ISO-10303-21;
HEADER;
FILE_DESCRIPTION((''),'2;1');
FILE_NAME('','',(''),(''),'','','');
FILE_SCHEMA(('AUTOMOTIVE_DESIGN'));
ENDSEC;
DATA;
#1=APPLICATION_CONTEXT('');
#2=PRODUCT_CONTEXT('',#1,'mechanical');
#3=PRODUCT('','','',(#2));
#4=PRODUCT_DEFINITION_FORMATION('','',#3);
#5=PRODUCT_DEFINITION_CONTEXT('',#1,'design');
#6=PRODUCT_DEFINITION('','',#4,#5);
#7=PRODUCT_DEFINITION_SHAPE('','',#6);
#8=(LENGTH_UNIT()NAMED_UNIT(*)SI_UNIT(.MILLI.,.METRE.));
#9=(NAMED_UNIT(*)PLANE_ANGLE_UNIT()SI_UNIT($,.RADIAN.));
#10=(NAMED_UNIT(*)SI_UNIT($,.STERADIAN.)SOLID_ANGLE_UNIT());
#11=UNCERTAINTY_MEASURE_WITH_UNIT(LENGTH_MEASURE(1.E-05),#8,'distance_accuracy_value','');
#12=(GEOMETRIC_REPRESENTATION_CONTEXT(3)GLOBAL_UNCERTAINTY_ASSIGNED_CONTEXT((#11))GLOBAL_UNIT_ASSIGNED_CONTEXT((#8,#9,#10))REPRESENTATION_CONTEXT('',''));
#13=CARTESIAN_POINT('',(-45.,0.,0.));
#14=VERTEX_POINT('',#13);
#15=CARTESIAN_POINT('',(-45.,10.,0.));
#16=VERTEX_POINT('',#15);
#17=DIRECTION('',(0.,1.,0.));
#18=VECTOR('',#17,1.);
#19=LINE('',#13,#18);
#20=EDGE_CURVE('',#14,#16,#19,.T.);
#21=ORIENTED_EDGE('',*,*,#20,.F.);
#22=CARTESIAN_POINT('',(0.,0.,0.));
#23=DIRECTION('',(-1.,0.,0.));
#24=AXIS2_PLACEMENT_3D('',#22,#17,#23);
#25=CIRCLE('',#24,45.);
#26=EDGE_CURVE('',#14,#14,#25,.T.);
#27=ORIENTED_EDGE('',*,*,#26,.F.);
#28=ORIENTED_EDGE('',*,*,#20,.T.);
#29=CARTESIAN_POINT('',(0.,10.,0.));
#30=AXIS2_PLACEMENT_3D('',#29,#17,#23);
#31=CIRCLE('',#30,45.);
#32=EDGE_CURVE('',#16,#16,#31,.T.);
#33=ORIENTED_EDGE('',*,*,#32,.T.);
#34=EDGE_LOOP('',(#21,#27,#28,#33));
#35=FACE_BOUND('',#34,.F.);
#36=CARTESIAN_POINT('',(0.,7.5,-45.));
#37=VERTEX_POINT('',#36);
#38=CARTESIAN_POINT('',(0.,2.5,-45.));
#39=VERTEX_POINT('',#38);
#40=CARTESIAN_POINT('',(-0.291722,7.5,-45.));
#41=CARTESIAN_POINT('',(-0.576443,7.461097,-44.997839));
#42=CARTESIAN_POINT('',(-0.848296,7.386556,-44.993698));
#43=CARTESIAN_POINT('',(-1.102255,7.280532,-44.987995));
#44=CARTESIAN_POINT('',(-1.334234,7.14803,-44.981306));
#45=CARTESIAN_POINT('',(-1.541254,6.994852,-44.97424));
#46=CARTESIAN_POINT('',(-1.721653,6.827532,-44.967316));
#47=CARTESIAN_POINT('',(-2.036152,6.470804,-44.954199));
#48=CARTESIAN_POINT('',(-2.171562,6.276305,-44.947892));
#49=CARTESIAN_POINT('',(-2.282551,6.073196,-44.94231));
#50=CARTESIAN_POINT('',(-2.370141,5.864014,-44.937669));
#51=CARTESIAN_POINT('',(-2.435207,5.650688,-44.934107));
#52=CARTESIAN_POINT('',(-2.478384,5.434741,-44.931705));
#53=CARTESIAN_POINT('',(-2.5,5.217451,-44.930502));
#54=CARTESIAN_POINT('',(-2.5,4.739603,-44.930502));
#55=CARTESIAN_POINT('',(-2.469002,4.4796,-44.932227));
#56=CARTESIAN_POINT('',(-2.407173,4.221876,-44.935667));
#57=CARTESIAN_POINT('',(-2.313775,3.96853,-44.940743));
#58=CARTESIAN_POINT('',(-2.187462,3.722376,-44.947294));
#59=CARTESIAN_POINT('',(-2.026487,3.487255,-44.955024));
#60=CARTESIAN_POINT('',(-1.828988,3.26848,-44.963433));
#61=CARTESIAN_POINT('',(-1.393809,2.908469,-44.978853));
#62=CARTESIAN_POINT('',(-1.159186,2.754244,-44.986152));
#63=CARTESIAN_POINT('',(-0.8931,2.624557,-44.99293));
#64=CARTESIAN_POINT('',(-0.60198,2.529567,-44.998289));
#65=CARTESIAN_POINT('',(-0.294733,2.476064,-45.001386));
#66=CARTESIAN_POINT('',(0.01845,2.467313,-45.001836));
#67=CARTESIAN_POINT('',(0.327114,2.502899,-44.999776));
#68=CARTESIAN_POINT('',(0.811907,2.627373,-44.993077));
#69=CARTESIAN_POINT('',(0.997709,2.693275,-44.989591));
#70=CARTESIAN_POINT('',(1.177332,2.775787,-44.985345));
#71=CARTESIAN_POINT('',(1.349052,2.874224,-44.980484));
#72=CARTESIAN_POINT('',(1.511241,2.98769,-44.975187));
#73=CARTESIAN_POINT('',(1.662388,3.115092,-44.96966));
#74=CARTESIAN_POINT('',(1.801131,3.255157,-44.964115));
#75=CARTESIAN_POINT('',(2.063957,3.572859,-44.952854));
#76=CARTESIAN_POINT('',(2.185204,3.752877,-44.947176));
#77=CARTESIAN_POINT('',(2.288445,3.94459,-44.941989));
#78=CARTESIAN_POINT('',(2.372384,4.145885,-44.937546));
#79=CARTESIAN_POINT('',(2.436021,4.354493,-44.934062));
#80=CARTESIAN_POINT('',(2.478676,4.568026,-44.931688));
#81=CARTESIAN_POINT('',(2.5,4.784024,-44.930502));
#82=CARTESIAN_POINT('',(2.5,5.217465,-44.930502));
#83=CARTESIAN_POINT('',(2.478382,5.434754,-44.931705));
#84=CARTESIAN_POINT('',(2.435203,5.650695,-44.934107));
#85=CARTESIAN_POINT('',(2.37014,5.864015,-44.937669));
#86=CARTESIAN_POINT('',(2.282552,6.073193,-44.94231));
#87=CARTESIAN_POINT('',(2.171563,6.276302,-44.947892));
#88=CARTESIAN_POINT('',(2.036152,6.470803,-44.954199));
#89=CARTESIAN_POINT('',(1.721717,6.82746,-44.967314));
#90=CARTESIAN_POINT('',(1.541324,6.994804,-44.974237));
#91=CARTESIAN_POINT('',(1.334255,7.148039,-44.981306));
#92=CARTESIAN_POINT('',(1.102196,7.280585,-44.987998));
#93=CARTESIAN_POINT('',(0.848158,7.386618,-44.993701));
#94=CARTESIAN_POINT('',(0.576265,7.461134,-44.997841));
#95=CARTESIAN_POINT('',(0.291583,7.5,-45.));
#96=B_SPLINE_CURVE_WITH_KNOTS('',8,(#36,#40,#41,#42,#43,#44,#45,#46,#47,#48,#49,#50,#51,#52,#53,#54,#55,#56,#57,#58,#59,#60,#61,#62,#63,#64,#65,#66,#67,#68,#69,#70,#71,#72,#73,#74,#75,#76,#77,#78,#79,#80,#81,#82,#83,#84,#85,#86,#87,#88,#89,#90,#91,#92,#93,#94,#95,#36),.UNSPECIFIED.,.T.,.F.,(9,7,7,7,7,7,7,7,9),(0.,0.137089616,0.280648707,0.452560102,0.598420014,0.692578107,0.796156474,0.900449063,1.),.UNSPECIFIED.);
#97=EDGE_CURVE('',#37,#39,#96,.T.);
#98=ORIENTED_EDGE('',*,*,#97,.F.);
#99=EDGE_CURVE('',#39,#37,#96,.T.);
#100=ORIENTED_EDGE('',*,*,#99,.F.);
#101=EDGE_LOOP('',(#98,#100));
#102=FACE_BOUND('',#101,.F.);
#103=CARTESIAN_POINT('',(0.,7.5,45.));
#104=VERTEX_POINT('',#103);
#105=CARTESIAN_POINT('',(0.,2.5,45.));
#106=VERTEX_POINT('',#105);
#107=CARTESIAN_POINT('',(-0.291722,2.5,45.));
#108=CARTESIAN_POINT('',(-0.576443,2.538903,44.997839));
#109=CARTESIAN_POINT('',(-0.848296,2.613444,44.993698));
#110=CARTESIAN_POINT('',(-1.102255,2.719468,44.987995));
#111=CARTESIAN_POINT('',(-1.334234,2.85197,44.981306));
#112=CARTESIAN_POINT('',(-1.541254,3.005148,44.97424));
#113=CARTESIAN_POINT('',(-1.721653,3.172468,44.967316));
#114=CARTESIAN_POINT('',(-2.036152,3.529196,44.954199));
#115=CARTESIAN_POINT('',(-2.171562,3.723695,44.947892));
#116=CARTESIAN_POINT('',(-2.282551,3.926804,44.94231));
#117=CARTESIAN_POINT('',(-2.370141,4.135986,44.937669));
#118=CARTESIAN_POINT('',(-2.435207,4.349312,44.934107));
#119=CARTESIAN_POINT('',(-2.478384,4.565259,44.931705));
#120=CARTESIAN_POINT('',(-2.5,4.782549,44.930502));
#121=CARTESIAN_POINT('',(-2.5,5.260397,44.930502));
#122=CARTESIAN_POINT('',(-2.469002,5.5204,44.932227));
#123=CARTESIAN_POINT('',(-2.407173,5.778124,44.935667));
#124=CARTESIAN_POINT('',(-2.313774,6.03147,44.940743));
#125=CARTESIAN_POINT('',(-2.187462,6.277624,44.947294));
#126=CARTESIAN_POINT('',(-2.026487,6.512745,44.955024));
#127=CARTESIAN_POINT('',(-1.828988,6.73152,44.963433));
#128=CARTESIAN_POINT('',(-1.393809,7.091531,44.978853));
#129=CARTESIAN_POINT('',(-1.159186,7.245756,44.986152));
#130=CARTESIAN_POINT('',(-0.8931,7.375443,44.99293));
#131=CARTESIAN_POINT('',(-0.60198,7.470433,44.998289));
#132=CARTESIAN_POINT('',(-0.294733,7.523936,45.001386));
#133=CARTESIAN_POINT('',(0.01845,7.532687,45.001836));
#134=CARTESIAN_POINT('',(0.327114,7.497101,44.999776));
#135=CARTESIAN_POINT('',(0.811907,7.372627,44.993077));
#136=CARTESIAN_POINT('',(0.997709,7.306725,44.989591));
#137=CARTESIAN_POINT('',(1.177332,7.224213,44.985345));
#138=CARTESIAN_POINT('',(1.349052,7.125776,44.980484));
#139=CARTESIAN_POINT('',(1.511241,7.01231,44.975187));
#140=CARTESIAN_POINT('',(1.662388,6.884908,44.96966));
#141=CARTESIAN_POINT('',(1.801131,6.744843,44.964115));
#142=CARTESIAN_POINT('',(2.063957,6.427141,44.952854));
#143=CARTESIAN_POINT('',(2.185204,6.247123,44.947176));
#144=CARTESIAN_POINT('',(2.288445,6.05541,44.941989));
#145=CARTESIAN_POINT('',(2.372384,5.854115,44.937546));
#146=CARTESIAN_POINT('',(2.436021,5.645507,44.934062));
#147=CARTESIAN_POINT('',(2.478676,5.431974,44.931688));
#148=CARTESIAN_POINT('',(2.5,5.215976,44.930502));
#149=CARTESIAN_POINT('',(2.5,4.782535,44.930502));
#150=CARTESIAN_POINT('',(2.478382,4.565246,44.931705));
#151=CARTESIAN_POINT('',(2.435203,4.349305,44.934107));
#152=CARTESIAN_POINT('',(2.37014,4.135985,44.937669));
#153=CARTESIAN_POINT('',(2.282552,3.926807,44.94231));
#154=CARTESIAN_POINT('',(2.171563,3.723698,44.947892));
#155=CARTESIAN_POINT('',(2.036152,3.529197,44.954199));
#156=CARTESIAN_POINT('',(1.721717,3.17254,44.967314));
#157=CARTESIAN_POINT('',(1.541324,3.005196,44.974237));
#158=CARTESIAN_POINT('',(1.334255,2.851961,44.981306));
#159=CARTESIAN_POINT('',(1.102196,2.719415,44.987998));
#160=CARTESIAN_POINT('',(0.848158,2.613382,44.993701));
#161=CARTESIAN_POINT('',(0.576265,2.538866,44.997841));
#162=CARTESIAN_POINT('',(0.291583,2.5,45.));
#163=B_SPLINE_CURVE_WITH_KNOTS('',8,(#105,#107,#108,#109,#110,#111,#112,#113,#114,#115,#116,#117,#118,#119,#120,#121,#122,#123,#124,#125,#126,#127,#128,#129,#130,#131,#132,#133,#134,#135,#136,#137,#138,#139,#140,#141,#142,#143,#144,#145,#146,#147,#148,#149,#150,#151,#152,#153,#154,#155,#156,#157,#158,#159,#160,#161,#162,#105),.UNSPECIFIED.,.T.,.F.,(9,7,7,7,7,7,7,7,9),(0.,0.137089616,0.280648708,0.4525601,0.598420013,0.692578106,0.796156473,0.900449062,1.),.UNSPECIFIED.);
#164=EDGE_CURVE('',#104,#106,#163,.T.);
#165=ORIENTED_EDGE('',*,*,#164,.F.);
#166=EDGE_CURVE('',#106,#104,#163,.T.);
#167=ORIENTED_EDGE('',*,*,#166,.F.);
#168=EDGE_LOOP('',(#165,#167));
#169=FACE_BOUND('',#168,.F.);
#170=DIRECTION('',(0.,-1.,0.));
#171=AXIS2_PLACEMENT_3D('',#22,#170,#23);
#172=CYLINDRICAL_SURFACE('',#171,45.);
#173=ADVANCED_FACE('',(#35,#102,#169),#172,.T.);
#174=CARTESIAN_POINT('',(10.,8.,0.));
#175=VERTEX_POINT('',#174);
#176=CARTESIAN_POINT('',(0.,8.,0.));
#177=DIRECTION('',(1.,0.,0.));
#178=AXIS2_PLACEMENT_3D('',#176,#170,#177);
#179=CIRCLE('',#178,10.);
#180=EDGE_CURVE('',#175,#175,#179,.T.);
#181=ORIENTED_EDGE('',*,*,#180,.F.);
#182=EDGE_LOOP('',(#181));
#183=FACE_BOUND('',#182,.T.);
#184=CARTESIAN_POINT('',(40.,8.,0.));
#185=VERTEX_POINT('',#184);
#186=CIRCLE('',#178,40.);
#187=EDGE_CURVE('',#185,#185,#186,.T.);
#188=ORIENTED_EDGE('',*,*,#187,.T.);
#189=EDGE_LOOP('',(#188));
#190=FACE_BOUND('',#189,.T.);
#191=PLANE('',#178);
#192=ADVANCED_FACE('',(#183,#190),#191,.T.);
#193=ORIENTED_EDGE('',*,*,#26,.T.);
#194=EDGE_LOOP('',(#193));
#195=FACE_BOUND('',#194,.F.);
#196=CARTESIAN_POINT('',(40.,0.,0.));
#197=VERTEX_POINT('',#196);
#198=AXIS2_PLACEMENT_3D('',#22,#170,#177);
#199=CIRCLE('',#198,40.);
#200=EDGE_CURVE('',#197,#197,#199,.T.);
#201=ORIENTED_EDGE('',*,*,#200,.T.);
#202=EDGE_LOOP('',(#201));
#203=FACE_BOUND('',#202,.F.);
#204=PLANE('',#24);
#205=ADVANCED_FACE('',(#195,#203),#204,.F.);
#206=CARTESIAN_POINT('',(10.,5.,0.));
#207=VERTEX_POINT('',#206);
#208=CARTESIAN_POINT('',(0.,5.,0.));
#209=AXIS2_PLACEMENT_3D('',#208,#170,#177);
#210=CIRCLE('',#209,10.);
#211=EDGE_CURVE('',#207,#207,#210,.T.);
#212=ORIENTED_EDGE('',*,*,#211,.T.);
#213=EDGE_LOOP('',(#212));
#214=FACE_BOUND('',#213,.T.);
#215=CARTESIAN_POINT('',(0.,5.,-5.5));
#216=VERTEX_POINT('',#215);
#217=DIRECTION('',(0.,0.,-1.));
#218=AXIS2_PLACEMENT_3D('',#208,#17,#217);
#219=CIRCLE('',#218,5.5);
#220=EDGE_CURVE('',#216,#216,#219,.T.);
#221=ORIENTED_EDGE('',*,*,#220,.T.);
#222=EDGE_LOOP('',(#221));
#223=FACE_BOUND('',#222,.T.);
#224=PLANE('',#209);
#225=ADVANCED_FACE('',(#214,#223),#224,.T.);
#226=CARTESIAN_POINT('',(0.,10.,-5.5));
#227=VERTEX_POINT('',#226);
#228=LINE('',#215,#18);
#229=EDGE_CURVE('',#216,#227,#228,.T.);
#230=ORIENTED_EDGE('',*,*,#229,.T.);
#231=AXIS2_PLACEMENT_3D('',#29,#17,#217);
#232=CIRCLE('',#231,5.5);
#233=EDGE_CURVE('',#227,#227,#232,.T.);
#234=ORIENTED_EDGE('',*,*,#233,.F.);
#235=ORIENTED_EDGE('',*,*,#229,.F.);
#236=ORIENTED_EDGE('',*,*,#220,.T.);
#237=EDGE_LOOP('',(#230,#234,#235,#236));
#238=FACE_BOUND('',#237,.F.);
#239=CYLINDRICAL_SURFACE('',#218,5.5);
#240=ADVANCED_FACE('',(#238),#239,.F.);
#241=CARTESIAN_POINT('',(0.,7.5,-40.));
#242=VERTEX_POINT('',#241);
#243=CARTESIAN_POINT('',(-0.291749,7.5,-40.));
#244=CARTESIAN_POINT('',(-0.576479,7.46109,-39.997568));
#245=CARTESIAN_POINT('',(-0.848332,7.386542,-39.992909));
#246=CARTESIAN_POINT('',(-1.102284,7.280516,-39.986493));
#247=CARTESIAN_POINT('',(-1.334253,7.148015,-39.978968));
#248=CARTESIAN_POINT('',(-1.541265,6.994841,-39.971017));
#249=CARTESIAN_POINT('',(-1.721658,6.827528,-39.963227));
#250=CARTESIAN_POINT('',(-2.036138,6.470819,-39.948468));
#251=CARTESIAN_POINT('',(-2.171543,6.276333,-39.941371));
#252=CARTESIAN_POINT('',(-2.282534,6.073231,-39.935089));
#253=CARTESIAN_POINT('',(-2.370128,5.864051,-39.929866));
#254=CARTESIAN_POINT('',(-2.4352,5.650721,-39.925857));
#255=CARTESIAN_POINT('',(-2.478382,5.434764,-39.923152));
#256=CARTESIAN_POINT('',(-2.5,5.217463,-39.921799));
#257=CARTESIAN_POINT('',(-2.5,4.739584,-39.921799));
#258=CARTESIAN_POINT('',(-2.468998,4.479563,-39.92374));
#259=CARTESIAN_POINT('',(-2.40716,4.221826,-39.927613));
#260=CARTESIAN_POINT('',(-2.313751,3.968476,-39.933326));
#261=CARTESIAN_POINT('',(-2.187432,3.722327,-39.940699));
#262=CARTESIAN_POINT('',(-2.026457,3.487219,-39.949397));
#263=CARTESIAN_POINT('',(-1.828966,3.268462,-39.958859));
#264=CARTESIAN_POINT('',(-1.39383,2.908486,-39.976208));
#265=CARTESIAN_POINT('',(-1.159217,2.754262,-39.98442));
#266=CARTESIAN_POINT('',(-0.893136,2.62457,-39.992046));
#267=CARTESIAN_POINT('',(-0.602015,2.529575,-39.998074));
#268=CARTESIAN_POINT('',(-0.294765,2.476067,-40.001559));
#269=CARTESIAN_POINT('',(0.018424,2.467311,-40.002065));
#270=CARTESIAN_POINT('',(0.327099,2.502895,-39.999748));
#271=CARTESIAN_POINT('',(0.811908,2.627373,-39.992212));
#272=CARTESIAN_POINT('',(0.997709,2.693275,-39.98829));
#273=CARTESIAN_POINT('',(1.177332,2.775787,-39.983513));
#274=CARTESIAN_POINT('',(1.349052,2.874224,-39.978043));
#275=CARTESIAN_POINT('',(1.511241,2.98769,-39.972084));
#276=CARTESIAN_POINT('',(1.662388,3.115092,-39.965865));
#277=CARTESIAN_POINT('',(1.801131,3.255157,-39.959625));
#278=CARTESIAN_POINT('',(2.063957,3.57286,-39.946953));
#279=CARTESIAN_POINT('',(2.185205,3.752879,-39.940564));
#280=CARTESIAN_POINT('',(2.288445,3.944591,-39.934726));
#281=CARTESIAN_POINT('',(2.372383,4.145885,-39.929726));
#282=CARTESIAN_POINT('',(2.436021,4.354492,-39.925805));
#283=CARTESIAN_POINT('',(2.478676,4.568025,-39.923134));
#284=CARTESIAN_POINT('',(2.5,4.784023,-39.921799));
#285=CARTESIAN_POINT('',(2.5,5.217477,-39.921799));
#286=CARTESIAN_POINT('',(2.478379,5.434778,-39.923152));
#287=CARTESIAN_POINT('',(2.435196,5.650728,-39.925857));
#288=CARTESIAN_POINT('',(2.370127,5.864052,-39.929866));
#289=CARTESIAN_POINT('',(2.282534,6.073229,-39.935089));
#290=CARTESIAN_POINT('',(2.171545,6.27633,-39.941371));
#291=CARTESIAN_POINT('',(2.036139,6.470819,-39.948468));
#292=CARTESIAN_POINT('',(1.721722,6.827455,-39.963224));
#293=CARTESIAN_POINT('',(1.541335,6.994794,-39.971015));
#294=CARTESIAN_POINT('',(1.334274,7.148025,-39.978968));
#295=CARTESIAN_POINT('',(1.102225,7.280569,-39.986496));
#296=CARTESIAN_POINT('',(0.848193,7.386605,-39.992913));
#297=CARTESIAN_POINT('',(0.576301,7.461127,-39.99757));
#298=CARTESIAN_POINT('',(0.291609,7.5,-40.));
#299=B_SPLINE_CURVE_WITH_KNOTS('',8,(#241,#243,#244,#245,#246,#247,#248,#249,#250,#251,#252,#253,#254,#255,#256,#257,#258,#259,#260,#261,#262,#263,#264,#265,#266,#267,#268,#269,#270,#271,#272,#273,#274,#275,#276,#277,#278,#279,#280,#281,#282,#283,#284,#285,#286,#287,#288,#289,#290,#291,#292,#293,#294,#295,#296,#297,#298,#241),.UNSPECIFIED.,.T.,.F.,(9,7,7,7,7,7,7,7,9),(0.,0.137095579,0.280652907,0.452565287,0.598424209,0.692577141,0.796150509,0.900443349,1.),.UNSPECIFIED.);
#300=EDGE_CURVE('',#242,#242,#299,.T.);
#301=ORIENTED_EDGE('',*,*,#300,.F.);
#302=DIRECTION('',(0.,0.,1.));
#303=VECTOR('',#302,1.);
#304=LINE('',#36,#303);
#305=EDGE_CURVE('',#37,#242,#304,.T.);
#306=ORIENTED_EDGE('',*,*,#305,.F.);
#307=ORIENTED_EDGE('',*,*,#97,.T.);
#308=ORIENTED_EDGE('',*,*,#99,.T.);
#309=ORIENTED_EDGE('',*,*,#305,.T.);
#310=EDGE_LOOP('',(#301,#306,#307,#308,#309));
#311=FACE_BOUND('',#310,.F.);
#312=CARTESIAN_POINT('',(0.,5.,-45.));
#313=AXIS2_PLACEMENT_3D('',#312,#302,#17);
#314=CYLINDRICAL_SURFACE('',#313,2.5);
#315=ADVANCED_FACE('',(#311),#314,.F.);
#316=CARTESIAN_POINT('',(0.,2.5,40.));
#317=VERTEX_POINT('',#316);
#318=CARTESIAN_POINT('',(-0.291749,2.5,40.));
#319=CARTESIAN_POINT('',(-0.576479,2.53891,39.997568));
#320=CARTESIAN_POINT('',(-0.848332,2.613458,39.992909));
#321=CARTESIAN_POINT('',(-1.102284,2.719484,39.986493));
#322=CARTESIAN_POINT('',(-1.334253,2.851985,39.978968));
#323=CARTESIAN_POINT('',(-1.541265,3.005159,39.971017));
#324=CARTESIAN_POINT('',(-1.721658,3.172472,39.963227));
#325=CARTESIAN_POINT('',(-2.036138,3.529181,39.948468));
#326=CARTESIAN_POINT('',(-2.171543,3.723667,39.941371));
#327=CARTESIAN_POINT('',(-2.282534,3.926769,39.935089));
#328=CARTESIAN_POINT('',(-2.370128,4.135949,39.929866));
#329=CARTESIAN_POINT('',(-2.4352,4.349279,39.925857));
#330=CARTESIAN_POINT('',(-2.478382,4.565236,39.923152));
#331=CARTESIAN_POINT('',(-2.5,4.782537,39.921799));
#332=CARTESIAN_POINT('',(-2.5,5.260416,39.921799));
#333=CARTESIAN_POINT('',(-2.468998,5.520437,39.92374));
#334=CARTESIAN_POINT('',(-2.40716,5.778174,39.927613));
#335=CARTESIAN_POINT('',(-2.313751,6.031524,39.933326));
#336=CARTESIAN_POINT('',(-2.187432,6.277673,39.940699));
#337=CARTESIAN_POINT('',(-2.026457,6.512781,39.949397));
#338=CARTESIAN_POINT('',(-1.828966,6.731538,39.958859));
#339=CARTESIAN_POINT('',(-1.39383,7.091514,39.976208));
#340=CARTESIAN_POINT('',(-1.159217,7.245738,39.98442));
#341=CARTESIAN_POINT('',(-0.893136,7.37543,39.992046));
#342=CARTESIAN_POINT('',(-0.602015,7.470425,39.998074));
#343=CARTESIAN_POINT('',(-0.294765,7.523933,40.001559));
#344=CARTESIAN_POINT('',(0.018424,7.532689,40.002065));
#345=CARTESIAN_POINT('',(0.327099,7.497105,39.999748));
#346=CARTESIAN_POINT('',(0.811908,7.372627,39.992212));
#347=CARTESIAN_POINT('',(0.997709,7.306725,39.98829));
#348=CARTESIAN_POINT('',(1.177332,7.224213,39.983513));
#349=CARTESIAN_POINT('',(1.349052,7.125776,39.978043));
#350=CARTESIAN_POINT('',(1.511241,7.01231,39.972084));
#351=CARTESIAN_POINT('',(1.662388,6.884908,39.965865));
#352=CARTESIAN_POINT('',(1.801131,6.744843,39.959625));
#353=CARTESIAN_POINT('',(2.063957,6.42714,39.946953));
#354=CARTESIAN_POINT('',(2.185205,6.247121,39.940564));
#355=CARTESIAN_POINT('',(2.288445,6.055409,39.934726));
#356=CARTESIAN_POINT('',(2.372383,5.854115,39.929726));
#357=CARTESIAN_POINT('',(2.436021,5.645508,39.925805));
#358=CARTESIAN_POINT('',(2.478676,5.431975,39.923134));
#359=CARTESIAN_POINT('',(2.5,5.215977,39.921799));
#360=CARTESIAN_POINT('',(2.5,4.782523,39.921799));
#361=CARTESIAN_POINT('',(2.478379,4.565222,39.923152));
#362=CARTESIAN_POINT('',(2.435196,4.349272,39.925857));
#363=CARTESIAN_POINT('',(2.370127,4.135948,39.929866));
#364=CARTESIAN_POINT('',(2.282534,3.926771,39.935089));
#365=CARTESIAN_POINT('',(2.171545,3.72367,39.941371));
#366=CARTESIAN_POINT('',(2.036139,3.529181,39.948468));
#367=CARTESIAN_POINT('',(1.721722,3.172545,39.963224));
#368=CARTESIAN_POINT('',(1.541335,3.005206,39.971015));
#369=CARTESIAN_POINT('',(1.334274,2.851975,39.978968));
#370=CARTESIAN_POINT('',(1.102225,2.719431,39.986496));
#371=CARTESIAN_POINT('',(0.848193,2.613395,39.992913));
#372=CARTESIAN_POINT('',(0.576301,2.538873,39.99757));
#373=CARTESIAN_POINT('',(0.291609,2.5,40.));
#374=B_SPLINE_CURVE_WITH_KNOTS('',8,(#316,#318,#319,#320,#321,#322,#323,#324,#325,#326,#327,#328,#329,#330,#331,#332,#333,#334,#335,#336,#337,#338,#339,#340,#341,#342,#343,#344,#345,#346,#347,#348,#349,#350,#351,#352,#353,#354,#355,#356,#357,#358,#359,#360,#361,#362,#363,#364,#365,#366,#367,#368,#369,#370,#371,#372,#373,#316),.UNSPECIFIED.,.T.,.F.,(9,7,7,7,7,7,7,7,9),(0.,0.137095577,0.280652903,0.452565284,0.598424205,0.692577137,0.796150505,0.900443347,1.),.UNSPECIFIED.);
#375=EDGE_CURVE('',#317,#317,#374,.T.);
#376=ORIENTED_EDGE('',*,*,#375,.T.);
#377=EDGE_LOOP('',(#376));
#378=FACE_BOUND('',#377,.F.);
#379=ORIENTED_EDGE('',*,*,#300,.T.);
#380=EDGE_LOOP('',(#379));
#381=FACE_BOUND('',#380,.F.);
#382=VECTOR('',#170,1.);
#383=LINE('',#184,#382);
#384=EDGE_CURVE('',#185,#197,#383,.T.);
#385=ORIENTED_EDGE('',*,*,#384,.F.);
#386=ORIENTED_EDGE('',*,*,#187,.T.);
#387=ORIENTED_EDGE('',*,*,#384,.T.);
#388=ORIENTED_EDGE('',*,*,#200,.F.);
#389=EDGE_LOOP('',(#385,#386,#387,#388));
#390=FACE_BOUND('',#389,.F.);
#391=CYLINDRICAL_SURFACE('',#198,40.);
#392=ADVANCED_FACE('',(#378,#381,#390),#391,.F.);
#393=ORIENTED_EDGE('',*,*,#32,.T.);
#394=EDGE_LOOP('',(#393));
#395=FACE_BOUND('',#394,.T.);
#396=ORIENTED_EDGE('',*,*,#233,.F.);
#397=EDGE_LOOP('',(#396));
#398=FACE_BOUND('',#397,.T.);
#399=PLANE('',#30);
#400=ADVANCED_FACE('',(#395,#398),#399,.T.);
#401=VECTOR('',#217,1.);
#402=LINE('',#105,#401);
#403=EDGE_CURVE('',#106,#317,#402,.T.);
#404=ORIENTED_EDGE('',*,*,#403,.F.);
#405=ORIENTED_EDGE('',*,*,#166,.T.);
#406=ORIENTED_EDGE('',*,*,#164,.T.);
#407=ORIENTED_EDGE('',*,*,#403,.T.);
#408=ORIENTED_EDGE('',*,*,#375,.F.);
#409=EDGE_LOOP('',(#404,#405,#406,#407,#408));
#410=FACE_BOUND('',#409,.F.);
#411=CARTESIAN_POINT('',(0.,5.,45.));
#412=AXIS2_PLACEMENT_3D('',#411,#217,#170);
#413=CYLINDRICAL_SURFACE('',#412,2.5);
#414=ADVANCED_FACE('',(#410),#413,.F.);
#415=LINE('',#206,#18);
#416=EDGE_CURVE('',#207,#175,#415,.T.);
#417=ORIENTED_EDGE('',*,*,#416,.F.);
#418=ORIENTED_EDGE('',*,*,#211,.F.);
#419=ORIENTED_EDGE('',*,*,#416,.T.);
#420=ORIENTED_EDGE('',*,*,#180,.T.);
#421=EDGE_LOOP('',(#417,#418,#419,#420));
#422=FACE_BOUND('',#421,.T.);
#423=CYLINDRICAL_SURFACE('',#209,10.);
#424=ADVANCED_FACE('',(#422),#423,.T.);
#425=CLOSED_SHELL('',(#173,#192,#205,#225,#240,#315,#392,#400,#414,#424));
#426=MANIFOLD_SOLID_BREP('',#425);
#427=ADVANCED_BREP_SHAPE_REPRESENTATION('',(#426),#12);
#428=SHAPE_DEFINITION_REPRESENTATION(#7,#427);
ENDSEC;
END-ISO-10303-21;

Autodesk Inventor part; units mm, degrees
ref_plane "YZ Plane" through (0, 0, 0) normal (1, 0, 0) x (0, 1, 0)
sketch "Sketch1" plane through (0, 0, 0) normal (0, 1, 0) x (-1, 0, 0)
  circle A0 centre (0, 0) radius 45
  dimension "d0" = 90
extrude "Extrusion1" add sketch "Sketch1" along normal blind 10
sketch "Sketch2" plane through (0, 0, 0) normal (0, -1, 0) x (1, 0, 0)
  circle A0 centre (0, 0) radius 45 projected
  circle A1 centre (0, 0) radius 40
  dimension "d3" = 80
extrude "Extrusion2" cut sketch "Sketch2" against normal blind 5 contours A1
sketch "Sketch3" plane through (0, 5, 0) normal (0, -1, 0) x (1, 0, 0)
  circle A0 centre (0, 0) radius 40 projected
  circle A1 centre (0, 0) radius 10
  dimension "d6" = 20
extrude "Extrusion3" cut sketch "Sketch3" against normal blind 3
sketch "Sketch4" plane through (0, 5, 0) normal (0, -1, 0) x (1, 0, 0)
  circle A0 centre (0, 0) radius 10 projected
hole "Hole1" at (0, 5, 0) direction (0, 1, 0) diameter 11 end through all
ref_plane "Work Plane1" through (0, 0, 45) normal (0, 0, 1) x (1, 0, 0)
sketch "Sketch5" plane through (0, 0, 45) normal (0, 0, 1) x (1, 0, 0)
  point P0 (0, 0)
  point P1 (0, 5)
  dimension "d17" = 5
ref_plane "Work Plane2" through (0, 0, -45) normal (0, 0, 1) x (1, 0, 0)
sketch "Sketch6" plane through (0, 0, -45) normal (0, 0, 1) x (1, 0, 0)
  point P0 (0, 0)
  point P1 (0, 5)
  dimension "d19" = 5
hole "Hole2" at (0, 5, 45) direction (0, 0, -1) diameter 5 depth 8 tip angle 118
hole "Hole3" at (0, 5, -45) direction (0, 0, 1) diameter 5 depth 8 tip angle 118
properties part number "rotor" material "PMMA Plastic"
